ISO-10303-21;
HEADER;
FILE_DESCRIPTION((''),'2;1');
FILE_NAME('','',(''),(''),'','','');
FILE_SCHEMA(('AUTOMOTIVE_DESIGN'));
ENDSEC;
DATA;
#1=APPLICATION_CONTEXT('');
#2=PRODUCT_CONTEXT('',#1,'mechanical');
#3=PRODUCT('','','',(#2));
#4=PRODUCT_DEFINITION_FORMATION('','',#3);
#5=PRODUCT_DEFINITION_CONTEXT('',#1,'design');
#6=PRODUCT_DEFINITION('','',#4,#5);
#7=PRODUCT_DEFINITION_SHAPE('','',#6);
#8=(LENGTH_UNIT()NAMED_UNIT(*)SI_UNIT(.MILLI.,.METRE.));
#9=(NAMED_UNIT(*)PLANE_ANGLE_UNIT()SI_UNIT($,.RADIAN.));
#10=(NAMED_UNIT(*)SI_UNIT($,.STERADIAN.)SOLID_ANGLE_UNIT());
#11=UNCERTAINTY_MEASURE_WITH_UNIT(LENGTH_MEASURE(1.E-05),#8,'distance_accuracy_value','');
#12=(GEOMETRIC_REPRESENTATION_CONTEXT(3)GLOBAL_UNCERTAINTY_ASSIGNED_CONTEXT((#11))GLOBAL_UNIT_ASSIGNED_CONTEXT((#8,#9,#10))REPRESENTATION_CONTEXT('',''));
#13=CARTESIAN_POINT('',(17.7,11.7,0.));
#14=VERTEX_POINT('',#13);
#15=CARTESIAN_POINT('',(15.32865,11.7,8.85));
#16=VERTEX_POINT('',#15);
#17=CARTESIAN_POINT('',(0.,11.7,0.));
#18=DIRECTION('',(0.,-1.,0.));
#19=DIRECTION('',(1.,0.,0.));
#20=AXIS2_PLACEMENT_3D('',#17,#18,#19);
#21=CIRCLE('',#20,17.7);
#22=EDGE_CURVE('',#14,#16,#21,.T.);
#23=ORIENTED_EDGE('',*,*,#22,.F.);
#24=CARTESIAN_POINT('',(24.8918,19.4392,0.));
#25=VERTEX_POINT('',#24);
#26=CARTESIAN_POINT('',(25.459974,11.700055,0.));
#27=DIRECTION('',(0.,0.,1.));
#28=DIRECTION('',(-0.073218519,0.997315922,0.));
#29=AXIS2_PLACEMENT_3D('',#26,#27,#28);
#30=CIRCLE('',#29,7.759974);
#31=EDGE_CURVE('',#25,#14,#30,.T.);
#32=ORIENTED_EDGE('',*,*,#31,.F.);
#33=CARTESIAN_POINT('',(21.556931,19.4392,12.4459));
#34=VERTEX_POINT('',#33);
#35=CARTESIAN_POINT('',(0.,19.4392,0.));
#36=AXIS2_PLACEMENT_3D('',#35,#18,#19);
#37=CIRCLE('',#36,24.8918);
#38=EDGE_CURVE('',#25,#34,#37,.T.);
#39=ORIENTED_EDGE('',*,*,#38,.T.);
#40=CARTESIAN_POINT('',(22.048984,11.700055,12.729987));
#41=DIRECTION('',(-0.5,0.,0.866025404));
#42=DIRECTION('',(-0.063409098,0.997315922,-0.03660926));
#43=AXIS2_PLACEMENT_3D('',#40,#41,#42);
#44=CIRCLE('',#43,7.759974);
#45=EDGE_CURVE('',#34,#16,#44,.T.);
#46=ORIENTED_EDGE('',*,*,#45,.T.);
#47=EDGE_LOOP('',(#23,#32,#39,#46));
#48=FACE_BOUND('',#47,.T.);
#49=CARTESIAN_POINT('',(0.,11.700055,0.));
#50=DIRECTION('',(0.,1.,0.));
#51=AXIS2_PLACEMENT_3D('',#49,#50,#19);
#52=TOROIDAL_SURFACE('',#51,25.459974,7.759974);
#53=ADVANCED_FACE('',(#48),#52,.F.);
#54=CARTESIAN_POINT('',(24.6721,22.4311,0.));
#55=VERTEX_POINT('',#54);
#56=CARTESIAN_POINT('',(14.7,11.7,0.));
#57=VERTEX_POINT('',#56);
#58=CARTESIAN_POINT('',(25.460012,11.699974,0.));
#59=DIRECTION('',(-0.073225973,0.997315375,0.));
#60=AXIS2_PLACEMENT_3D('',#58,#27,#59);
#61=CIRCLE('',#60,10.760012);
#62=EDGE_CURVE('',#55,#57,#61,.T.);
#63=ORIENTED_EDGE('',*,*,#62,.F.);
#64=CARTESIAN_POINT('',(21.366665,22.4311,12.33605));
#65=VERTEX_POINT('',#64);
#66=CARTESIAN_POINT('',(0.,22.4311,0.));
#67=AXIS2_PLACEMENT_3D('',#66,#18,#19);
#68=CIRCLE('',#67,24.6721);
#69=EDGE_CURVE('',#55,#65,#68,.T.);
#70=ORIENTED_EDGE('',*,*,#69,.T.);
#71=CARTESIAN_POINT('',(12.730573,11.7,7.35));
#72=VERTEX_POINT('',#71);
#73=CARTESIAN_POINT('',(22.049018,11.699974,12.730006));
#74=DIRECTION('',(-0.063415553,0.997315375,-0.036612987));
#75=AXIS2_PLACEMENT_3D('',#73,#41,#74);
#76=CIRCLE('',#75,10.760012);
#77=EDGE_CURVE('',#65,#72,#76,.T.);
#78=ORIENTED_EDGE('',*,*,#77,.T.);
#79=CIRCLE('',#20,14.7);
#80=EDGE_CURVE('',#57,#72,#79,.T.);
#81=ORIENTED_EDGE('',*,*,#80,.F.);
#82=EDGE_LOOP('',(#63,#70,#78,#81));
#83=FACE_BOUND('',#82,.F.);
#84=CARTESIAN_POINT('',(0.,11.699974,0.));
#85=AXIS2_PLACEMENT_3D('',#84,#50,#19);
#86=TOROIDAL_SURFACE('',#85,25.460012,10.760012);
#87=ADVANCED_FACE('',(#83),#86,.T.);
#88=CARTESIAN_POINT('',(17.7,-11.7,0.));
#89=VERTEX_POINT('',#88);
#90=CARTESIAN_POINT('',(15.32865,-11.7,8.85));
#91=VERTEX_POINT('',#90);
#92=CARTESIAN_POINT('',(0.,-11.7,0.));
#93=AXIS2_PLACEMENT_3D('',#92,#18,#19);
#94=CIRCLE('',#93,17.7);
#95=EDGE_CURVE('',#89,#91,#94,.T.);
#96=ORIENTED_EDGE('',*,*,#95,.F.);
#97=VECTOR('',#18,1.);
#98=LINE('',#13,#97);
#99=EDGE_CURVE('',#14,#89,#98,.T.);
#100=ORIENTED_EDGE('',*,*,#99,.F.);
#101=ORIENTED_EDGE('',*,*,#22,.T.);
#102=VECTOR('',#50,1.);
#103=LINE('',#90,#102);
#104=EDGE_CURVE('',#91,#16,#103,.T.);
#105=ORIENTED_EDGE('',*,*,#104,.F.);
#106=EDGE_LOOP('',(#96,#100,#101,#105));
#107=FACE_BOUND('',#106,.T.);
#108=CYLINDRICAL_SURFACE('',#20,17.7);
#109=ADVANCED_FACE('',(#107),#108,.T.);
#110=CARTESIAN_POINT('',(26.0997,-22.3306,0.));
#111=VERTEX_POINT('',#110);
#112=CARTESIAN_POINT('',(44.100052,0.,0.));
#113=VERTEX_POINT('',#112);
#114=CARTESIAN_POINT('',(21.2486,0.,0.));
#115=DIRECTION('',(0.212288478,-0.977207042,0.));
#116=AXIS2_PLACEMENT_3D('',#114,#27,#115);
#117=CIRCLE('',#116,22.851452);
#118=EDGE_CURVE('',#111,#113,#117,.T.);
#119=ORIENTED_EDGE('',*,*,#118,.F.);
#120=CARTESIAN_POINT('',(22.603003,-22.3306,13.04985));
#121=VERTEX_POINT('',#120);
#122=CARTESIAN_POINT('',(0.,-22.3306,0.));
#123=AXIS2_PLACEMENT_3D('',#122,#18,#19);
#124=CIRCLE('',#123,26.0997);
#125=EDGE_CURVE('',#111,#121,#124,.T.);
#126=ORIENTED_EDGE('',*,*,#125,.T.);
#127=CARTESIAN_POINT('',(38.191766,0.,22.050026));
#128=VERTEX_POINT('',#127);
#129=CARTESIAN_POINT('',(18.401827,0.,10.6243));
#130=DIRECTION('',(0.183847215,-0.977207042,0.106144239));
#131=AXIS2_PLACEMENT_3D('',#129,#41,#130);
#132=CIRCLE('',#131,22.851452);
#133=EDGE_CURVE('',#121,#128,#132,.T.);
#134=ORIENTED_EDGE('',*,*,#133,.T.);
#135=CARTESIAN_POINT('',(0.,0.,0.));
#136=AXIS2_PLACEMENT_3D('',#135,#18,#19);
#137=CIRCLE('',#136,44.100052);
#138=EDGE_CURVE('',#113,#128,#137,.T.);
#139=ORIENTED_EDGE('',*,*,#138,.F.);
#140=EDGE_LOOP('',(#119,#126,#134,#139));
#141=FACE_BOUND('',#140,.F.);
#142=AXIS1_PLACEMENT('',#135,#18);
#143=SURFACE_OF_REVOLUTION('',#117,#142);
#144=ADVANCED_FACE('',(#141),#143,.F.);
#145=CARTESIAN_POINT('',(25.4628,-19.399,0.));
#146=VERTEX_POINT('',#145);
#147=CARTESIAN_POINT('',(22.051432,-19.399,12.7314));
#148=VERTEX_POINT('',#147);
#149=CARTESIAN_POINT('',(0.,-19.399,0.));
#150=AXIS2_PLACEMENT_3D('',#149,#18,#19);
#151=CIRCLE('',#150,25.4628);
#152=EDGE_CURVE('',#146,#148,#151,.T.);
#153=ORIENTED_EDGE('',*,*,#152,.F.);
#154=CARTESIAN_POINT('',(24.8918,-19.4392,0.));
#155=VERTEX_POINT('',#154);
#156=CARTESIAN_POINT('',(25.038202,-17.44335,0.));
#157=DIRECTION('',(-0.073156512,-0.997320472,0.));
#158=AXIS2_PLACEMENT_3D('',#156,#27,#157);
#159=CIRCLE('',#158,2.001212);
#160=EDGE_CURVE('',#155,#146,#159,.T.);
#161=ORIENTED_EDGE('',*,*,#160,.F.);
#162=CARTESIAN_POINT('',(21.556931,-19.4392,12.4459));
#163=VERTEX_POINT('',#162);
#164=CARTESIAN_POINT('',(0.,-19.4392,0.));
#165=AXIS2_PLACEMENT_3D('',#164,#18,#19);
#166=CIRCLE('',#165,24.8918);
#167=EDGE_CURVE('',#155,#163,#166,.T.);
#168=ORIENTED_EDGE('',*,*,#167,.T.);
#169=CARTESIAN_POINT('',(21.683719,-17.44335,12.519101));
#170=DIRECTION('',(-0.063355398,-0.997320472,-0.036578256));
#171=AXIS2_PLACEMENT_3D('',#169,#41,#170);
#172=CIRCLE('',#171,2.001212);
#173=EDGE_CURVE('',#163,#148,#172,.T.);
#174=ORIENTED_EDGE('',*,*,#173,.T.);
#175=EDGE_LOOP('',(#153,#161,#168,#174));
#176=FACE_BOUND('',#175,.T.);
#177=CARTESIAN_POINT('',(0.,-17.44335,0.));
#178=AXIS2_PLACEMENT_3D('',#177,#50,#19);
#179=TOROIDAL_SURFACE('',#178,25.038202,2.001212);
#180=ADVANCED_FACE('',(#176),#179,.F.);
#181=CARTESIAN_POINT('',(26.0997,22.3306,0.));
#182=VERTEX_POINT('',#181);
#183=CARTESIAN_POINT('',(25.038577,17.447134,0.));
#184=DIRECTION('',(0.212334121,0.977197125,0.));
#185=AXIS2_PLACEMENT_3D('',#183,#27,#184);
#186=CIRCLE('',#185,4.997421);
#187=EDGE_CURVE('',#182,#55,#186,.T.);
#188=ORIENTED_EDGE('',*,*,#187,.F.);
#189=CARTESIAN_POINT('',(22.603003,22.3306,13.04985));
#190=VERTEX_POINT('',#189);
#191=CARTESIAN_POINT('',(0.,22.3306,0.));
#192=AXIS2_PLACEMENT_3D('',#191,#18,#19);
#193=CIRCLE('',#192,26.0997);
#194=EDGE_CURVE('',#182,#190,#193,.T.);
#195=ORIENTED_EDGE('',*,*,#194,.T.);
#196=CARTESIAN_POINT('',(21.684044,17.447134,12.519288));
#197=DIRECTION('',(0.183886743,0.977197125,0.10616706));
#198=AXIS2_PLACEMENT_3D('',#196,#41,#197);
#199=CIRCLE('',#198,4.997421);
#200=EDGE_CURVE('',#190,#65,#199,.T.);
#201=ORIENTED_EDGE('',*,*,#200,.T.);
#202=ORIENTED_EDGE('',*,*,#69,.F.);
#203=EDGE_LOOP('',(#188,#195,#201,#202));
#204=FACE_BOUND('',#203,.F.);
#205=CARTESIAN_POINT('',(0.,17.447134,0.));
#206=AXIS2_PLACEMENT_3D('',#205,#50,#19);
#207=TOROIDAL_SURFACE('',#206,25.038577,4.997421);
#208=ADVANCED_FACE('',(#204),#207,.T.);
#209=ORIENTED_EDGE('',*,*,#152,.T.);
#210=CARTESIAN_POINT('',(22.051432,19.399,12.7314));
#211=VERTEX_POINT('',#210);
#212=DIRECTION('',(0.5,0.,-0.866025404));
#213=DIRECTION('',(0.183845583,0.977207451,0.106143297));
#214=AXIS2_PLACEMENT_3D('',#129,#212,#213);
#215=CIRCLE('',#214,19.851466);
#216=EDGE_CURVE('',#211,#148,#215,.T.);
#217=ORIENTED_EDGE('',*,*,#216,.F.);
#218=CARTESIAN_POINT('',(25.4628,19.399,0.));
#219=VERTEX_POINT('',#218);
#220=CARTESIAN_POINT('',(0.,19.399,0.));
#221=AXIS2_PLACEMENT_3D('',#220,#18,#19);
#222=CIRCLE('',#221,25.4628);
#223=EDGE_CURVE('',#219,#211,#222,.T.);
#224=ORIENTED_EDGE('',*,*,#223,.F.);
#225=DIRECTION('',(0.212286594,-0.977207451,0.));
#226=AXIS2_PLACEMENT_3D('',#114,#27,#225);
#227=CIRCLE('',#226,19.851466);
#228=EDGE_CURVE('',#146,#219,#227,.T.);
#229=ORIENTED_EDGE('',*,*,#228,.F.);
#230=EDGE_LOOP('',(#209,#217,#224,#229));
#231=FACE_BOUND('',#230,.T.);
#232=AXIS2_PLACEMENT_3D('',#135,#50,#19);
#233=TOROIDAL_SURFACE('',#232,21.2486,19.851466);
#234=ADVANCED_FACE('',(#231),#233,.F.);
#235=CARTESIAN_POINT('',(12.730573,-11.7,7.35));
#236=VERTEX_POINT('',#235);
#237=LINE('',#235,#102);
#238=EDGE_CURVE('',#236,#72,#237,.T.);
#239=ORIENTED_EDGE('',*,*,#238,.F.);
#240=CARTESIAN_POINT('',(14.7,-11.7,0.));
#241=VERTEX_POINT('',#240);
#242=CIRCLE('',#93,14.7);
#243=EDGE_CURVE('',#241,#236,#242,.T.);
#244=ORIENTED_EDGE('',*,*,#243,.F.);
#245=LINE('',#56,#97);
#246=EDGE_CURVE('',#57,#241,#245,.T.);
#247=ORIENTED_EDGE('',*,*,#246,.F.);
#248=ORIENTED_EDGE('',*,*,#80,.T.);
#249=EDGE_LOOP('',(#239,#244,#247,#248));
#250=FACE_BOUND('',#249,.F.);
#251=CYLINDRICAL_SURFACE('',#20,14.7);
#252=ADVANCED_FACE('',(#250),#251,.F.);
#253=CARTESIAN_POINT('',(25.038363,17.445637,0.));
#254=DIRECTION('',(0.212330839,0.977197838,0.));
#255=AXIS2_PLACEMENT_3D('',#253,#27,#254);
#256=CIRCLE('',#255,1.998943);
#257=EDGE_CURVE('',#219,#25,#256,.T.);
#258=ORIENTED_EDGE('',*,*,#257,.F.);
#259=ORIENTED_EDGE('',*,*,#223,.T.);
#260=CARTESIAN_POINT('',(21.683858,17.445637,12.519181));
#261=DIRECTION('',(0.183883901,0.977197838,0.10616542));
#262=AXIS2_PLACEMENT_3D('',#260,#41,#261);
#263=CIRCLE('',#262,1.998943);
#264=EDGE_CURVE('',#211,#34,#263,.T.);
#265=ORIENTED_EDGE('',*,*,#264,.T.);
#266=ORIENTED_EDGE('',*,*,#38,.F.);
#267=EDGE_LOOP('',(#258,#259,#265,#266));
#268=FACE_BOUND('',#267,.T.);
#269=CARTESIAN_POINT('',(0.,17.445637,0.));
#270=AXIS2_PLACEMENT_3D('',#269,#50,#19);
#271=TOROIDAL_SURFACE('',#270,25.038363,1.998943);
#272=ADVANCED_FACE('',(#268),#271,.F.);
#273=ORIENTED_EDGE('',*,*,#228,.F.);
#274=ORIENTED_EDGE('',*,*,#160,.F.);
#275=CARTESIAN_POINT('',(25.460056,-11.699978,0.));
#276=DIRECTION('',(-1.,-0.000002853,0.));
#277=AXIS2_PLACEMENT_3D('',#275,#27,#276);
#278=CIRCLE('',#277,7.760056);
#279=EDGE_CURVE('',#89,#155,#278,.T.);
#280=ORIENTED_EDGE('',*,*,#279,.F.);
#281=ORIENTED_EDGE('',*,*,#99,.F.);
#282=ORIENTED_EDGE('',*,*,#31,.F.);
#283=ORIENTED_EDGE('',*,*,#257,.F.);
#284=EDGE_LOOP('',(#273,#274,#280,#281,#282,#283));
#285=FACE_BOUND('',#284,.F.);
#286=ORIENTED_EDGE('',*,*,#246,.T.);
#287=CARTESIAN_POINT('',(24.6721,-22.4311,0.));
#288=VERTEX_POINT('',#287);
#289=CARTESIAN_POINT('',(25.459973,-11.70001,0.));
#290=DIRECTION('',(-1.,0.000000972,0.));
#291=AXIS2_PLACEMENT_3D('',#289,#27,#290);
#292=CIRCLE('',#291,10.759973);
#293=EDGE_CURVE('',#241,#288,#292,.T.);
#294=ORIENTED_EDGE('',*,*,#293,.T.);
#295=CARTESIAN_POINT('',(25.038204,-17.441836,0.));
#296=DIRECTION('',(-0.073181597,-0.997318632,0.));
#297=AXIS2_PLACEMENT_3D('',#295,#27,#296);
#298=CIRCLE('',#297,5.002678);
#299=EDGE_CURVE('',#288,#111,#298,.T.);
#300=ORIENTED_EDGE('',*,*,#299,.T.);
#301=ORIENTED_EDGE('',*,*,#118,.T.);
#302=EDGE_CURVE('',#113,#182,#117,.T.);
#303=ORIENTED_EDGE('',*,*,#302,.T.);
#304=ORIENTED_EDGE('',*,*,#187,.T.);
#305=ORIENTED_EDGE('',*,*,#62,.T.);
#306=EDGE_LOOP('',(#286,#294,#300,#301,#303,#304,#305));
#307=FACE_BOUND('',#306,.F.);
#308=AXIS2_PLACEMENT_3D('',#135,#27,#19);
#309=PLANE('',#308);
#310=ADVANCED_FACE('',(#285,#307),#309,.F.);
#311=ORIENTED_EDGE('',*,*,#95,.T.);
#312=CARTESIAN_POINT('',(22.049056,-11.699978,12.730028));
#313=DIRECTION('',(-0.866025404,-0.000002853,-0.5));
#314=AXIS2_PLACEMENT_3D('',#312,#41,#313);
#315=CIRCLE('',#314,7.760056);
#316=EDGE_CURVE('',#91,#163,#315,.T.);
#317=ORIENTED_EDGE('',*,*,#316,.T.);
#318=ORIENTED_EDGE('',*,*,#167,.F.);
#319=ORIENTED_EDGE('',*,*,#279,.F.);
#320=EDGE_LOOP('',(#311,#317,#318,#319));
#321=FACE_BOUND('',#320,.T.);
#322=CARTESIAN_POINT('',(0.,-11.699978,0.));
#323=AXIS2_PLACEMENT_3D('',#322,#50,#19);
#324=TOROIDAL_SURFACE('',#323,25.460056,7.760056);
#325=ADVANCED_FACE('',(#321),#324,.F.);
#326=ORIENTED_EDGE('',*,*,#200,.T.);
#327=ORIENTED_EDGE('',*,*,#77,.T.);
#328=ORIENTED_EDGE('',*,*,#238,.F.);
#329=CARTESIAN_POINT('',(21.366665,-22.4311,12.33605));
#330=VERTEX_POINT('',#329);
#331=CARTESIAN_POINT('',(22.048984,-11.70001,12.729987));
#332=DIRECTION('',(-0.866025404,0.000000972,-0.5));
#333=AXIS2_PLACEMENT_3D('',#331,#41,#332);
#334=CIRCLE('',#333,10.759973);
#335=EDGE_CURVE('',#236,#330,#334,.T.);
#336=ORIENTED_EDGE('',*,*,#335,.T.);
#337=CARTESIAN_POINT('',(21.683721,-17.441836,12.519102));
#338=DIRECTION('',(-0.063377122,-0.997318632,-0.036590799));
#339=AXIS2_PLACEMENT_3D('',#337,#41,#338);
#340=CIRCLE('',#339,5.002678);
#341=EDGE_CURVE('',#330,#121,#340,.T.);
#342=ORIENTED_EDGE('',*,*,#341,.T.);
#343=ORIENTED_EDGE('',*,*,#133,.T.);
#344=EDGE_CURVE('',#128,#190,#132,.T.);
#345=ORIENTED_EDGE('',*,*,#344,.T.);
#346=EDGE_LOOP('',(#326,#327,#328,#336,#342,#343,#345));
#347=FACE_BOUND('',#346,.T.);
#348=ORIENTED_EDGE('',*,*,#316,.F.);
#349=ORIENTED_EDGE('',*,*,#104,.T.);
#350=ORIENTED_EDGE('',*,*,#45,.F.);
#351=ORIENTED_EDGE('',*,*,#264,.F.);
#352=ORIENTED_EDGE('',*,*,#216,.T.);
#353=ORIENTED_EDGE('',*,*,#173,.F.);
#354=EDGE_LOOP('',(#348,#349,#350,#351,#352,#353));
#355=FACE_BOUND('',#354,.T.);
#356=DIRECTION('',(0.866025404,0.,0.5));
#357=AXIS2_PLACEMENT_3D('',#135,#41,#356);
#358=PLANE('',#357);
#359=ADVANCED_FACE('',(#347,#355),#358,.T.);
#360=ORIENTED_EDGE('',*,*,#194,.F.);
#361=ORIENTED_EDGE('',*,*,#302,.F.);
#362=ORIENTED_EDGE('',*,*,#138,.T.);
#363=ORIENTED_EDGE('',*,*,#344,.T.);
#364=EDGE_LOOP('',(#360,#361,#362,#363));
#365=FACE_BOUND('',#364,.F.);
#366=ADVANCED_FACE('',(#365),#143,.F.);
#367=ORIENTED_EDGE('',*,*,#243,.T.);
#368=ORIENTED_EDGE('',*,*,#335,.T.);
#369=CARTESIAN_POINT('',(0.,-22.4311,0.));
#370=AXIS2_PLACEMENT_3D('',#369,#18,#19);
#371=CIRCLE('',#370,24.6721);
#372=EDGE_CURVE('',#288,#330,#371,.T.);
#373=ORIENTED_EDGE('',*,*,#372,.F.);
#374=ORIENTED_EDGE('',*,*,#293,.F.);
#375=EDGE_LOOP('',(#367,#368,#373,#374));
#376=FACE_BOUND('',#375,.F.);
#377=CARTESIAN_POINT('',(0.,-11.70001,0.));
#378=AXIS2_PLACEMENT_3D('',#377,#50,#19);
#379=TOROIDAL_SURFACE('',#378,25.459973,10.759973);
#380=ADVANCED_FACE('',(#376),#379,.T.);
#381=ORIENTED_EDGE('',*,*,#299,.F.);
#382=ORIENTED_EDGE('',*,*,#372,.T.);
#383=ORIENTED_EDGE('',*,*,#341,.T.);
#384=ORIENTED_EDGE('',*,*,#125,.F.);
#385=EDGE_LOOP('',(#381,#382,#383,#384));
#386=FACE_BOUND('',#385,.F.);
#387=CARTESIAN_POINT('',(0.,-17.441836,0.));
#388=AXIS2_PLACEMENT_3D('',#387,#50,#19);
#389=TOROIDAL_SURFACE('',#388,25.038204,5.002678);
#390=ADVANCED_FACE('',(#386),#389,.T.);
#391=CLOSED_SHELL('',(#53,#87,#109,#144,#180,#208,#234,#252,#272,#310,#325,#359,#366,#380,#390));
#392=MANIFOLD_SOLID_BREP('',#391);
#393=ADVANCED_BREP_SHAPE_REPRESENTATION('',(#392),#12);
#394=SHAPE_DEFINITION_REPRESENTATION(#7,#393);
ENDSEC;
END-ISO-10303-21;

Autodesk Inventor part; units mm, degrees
ref_plane "Work Plane1" through (-7, 0, -29.5697) normal (1, 0, 0) x (0, 0, -1)
ref_plane "YZ Plane" through (0, 0, 0) normal (1, 0, 0) x (0, 1, 0)
ref_plane "XZ Plane" through (0, 0, 0) normal (0, 1, 0) x (-1, 0, 0)
sketch "Sketch1" plane through (0, 0, 0) normal (0, 0, 1) x (1, 0, 0)
  line L0 (0, 0) -> (0, 22.46) construction
  line L1 (14.7, 11.7) -> (14.7, -11.7)
  line L2 (25.46, 22.46) -> (25.46, -22.46) construction
  arc A0 (24.6721, 22.4311) -> (14.7, 11.7) centre (25.46, 11.7) ccw
  arc A1 (14.7, -11.7) -> (24.6721, -22.4311) centre (25.46, -11.7) ccw
  arc A2 (26.0997, -22.3306) -> (26.0997, 22.3306) centre (21.2486, 0) ccw
  line L3 (0, 0) -> (51.4073, 0)
  arc A3 (26.0997, 22.3306) -> (24.6721, 22.4311) centre (25.0382, 17.4445) ccw
  arc A4 (24.6721, -22.4311) -> (26.0997, -22.3306) centre (25.0382, -17.4445) ccw
  arc A5 (25.4628, 19.399) -> (24.8918, 19.4392) centre (25.0382, 17.4445) ccw
  arc A6 (24.8918, 19.4392) -> (17.7, 11.7) centre (25.46, 11.7) ccw
  line L4 (17.7, 11.7) -> (17.7, -11.7)
  arc A7 (17.7, -11.7) -> (24.8918, -19.4392) centre (25.46, -11.7) ccw
  arc A8 (24.8918, -19.4392) -> (25.4628, -19.399) centre (25.0382, -17.4445) ccw
  arc A9 (25.4628, -19.399) -> (25.4628, 19.399) centre (21.2486, 0) ccw
  point P0 (14.7, 0)
  point P1 (44.1, 0)
  point P2 (25.46, 0)
  dimension "MaxHeight" = 22.46
  dimension "FlatHeightx2" = 23.4
  dimension "ID" = 29.4
  dimension "OD" = 88.2
  dimension "d5" = 44.92
  dimension "RadAtPeak" = 25.46
  dimension "d90" = 5
  dimension "d97" = 3
revolve "Revolution1" add sketch "Sketch1" angle 30 about axis through (0, 0, 0) along (0, -1, 0) contours A0 A3 A2 L3 A9 A5 A6 L4 L1 | L3 L4 A7 A8 A9 A2 A4 A1 L1
sketch "Sketch13" plane through (14.7, -11.7, 0) normal (0, 0, -1) x (-1, 0, 0)
  arc A0 (0, 23.4) -> (-9.9721, 34.1311) centre (-10.76, 23.4) ccw projected
  arc A1 (-9.9721, 34.1311) -> (-11.3997, 34.0306) centre (-10.3382, 29.1445) ccw projected
  arc A2 (-11.3997, 34.0306) -> (-11.4673, 34.0158) centre (-6.5486, 11.7) ccw projected
  arc A3 (-11.3997, -10.6306) -> (-9.9721, -10.7311) centre (-10.3382, -5.7445) ccw projected
  arc A4 (-9.9721, -10.7311) -> (0, 0) centre (-10.76, 0) ccw projected
  line L0 (0, 23.4) -> (0, 0) projected
  line L1 (-10.76, 0) -> (3, 0)
  line L2 (3, 0) -> (3, 23.4)
  line L3 (3, 23.4) -> (-10.76, 23.4)
  line L4 (-10.76, 23.4) -> (-10.76, 0)
  arc A5 (-11.4673, 34.0158) -> (-11.4673, -10.6158) centre (-6.5486, 11.7) ccw projected
  point P0 (14.7, 11.7)
  point P1 (-7.0149, 11.6038)
  dimension "d93" = 3
sketch "Sketch7" plane through (0, 0, 0) normal (0, 1, 0) x (-1, 0, 0)
  circle A0 centre (0, 0) radius 198.9616
sketch "Sketch8" plane through (0, 0, 0) normal (1, 0, 0) x (0, 1, 0)
  circle A0 centre (0, 0) radius 159.0195
sketch "Sketch9" plane through (0, 0, 0) normal (1, 0, 0) x (0, 0, -1)
  line L0 (74, 0) -> (35, 0) projected
  point P0 (0, 0)
  point P1 (-52.5, 0)
  point P2 (0, 0)
  point P3 (52.5, 0)
  dimension "d88" = 105
  dimension "d89" = 52.5
sketch "Sketch11" plane through (0, 0, 0) normal (1, 0, 0) x (0, 0, -1)
  arc A0 (-35, 25.9107) -> (-42.6927, 34.8921) centre (-44.0893, 25.9107) ccw projected
  line L0 (-35, 25.9107) -> (-35, 0) projected
  line L1 (-35, 0) -> (35, 0) projected
  arc A1 (-50.0415, 0) -> (-54.9585, 0) centre (-52.5, 0) ccw projected
  arc A2 (-50.0415, 0) -> (-54.9585, 0) centre (-37.5, 0) ccw projected
  arc A3 (-39.8678, 39.0634) -> (-73, 0) centre (-33.4058, 0) ccw
  arc A4 (-29.5697, 27.789) -> (-36.4391, 38.3935) centre (-44.0893, 25.9107) ccw
  line L2 (-29.5697, 27.789) -> (-29.5697, 0)
  line L3 (-35, 0) -> (35, 0) projected
  line L4 (-73, 0) -> (-29.5697, 0)
  arc A5 (-36.4391, 38.3935) -> (-39.8678, 39.0634) centre (-39.0518, 34.1304) ccw
  point P0 (0, 0)
  point P1 (-35, 0)
  point P2 (-29.5697, 0)
  point P3 (-54.9585, 0)
  point P4 (-50.0415, 0)
  dimension "d91" = 5
sketch "Sketch6" plane through (5.2886, 0, 3.0534) normal (-0.5, 0, 0.866) x (0, 1, 0)
  line L0 (-11.7, -8.5932) -> (11.7, -8.5932) projected
  arc A0 (-22.3306, -19.9929) -> (22.3306, -19.9929) centre (0, -15.1418) ccw projected
  arc A1 (-23.7082, -22.5925) -> (23.7082, -22.5925) centre (0, -15.1418) ccw
  line L1 (22.3306, -19.9929) -> (21.8002, -19.9929)
  arc A2 (23.7082, -22.5925) -> (21.8002, -19.9929) centre (21.8002, -21.9929) ccw
  line L2 (-21.8002, -19.9929) -> (-22.3306, -19.9929)
  arc A3 (-21.8002, -19.9929) -> (-23.7082, -22.5925) centre (-21.8002, -21.9929) ccw
  line L3 (-34.1227, 6.1068) -> (34.1227, 6.1068) projected
  point P0 (0, 6.1068)
  point P1 (-24.3733, -19.9929)
  point P2 (24.3733, -19.9929)
  point P3 (22.3158, -20.0605)
  point P4 (-22.3158, -20.0605)
  dimension "d47" = 2
  dimension "d48" = 2
  dimension "d49" = 2
equation "\"d5\" = 2 * MaxHeight"
equation "\"d63_Copy\" = 35"
properties part number "L_Notch-Wedge" material "UHMW, White"
